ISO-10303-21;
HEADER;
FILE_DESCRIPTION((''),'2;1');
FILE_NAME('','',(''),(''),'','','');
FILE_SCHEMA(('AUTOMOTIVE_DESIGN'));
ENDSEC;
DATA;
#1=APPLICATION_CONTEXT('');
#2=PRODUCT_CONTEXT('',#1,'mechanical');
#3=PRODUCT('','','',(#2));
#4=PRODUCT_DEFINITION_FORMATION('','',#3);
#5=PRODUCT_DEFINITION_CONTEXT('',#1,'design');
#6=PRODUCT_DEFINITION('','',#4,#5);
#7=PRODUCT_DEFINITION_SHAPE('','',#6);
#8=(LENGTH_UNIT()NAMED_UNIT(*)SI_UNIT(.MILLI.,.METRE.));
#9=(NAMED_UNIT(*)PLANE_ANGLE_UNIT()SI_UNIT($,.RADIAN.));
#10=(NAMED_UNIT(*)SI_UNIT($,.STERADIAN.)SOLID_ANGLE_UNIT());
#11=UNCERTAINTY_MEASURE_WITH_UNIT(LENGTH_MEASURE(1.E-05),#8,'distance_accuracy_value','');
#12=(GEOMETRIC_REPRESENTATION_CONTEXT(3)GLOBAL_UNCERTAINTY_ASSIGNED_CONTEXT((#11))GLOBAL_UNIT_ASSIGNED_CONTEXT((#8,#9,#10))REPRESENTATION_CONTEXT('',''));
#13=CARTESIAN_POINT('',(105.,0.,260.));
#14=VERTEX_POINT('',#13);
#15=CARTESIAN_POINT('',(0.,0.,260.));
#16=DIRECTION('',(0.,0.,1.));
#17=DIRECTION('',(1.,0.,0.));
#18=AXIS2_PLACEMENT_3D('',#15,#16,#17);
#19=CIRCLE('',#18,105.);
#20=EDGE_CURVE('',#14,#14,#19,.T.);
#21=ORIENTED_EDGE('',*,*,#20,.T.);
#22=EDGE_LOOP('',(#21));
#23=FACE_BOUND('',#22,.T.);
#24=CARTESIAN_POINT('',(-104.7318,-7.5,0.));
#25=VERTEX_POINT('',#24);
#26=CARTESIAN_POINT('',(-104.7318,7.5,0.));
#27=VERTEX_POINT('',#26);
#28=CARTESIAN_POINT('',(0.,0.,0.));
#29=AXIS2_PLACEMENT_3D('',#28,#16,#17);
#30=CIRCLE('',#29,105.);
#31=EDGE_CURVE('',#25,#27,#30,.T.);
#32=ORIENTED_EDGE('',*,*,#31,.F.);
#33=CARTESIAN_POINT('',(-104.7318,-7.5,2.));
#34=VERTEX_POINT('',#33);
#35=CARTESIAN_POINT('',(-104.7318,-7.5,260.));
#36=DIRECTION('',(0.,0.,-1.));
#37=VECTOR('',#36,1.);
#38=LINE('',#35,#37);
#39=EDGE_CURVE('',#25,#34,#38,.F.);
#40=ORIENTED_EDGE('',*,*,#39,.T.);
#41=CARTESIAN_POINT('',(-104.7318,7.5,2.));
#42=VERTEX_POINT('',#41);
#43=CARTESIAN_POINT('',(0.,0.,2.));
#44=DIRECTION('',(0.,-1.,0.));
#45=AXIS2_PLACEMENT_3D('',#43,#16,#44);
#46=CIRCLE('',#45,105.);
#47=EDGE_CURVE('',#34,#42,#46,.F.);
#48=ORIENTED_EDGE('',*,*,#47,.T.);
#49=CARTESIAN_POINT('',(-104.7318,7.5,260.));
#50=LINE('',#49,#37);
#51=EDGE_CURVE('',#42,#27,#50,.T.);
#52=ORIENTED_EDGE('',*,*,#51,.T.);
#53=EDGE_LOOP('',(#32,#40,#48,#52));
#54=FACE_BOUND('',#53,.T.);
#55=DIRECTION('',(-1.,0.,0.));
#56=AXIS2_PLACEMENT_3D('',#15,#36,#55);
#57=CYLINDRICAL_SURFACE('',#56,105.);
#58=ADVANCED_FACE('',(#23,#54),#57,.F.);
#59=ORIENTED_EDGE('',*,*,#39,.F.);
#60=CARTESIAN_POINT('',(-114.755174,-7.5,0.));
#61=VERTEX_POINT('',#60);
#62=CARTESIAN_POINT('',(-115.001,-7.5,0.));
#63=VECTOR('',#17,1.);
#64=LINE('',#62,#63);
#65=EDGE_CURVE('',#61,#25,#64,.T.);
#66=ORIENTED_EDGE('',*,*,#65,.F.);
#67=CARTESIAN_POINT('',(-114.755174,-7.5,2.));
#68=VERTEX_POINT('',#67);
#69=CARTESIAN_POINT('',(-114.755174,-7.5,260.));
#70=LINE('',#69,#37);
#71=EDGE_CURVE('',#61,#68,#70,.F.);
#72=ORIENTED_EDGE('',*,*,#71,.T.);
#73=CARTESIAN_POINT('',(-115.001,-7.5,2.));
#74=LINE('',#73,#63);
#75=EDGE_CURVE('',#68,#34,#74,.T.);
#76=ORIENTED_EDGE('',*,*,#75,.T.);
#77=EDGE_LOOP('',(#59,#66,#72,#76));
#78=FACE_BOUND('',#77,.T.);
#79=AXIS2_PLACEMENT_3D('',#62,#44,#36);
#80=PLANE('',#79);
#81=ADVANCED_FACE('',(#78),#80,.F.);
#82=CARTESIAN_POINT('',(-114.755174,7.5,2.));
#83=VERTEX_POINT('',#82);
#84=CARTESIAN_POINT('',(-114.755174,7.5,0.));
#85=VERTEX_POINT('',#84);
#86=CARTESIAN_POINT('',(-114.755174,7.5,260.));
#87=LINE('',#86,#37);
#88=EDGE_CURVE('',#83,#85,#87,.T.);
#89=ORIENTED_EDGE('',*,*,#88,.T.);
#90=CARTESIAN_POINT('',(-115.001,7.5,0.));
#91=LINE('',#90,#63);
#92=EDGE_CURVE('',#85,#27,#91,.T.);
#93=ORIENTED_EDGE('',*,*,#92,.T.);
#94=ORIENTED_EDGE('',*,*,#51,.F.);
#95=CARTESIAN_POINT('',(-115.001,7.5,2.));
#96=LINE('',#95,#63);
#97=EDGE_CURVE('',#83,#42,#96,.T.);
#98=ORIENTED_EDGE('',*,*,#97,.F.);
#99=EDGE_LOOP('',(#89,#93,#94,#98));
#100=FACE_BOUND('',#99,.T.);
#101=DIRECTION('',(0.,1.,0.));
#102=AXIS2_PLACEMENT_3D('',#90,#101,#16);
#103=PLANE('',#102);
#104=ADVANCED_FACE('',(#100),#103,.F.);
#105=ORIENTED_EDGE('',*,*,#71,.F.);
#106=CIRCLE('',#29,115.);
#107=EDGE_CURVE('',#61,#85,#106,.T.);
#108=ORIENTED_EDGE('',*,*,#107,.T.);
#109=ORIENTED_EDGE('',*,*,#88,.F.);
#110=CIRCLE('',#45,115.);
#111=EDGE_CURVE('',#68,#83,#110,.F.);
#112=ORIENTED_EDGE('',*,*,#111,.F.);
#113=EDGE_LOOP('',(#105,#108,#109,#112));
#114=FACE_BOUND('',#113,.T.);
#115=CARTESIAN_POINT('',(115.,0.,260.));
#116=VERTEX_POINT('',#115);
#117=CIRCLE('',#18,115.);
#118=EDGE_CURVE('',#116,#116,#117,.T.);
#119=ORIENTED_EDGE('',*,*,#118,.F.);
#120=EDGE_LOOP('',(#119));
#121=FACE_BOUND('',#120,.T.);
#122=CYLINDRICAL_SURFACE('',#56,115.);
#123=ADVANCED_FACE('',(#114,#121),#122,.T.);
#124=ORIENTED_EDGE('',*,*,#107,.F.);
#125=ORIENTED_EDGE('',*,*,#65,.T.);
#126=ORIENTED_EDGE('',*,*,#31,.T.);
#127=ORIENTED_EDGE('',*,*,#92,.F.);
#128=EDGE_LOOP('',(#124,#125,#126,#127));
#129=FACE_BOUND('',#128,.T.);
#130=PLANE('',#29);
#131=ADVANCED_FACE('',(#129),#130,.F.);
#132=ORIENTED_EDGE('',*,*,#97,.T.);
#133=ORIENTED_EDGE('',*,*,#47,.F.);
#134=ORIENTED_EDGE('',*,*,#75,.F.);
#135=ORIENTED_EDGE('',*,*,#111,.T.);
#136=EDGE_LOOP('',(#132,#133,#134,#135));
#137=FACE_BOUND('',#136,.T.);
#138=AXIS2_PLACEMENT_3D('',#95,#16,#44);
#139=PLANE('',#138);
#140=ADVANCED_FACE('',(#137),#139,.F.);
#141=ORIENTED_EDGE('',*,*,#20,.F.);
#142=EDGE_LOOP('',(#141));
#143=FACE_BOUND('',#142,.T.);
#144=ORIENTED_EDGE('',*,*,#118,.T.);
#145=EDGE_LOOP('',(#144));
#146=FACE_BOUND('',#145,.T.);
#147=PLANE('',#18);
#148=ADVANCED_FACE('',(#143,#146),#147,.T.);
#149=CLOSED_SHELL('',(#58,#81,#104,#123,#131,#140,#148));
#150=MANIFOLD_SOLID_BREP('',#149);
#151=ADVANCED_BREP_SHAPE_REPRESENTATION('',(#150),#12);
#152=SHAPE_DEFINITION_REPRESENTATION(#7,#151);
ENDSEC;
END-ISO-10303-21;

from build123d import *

# Parameters (mm, degrees)
SKETCH2_R           = 115
SKETCH2_R_2         = 105
BOSS_EXTRUDE1_DEPTH = 260
CUT_EXTRUDE1_REACH  = 117
SKETCH3_W           = 2
SKETCH3_H           = 15


with BuildPart() as part:
    # Sketch2 → Boss-Extrude1 (new body)
    with BuildSketch(Plane.XY):
        Circle(SKETCH2_R)
        Circle(SKETCH2_R_2, mode=Mode.SUBTRACT)
    extrude(amount=BOSS_EXTRUDE1_DEPTH)

    # Sketch3 → Cut-Extrude1 (cut, up to next)
    with BuildSketch(Plane(origin=(0, 0, 0), x_dir=(0, 0, -1), z_dir=(1, 0, 0)), mode=Mode.PRIVATE) as cut_extrude1_sk1:
        with Locations((-1, 0)):
            Rectangle(SKETCH3_W, SKETCH3_H)
    cut_extrude1_tool1 = extrude(cut_extrude1_sk1.sketch, amount=-CUT_EXTRUDE1_REACH, mode=Mode.PRIVATE) & part.part
    add(cut_extrude1_tool1.solids().sort_by_distance((0, 0, 1))[0], mode=Mode.SUBTRACT)


solid = part.part
